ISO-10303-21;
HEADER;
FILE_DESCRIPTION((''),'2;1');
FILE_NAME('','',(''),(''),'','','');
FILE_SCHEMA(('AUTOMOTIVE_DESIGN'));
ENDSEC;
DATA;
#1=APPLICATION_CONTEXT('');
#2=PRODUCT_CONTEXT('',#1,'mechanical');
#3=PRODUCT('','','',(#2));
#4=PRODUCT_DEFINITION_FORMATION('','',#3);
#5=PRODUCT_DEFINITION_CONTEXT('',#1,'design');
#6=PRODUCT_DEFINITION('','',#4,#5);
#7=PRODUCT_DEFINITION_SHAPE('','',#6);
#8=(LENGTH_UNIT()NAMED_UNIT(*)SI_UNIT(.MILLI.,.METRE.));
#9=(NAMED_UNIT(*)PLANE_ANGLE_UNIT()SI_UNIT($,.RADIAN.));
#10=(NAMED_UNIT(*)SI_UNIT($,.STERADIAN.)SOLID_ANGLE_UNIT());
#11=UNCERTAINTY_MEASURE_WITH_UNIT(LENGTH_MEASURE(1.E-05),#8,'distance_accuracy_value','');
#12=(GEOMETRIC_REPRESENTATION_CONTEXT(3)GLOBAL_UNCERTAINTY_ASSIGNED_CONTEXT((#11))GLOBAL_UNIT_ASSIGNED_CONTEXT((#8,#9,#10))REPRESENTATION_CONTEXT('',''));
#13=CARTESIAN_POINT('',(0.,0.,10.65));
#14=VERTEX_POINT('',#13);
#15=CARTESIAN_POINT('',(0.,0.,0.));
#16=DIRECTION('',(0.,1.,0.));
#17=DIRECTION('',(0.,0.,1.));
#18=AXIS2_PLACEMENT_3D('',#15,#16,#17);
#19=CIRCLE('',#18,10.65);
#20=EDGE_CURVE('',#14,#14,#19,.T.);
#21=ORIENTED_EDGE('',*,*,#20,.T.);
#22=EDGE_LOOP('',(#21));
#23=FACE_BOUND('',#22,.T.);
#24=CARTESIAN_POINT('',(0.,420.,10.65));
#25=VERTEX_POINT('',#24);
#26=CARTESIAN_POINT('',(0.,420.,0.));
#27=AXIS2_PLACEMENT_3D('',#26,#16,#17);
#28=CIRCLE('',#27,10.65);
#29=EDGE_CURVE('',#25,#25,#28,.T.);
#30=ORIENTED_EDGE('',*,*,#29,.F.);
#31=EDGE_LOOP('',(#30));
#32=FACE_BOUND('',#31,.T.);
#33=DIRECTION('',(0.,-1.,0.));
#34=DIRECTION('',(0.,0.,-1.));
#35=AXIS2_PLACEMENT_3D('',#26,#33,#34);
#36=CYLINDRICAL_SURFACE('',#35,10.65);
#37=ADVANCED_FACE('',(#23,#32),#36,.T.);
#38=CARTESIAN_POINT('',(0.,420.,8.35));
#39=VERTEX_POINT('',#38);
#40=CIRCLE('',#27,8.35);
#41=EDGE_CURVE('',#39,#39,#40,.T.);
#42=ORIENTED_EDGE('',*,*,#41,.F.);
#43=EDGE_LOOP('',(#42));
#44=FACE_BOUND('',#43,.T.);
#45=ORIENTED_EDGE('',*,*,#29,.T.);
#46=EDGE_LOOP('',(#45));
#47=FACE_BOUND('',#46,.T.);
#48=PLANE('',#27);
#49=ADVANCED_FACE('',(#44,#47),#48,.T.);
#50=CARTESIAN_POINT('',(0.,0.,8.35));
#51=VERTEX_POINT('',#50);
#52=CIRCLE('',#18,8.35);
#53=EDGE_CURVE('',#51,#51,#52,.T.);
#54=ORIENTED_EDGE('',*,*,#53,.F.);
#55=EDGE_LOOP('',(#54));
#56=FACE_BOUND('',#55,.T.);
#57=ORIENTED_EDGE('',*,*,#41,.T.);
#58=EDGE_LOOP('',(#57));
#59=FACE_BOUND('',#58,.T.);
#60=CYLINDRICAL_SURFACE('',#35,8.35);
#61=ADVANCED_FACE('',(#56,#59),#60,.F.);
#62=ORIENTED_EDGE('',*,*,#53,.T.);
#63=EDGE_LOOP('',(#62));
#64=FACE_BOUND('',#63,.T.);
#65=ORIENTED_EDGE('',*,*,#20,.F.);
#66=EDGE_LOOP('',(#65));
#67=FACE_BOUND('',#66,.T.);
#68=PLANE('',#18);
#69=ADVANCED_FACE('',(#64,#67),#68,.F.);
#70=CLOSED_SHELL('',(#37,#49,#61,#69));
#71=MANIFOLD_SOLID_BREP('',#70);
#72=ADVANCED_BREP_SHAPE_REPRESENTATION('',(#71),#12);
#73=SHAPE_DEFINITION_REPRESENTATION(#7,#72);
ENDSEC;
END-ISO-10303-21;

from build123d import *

# Parameters (mm, degrees)
SKETCH12_R                         = 10.65
SKETCH12_R_2                       = 8.35
PIPE_CONFIGURED_21_3_X_2_3_1_DEPTH = 420


with BuildPart() as part:
    # Sketch12 → Pipe - configured 21.3 X 2.3(1) (new body)
    with BuildSketch(Plane(origin=(0, 0, 0), x_dir=(-1, 0, 0), z_dir=(0, 1, 0))):
        Circle(SKETCH12_R)
        Circle(SKETCH12_R_2, mode=Mode.SUBTRACT)
    extrude(amount=PIPE_CONFIGURED_21_3_X_2_3_1_DEPTH)


solid = part.part
